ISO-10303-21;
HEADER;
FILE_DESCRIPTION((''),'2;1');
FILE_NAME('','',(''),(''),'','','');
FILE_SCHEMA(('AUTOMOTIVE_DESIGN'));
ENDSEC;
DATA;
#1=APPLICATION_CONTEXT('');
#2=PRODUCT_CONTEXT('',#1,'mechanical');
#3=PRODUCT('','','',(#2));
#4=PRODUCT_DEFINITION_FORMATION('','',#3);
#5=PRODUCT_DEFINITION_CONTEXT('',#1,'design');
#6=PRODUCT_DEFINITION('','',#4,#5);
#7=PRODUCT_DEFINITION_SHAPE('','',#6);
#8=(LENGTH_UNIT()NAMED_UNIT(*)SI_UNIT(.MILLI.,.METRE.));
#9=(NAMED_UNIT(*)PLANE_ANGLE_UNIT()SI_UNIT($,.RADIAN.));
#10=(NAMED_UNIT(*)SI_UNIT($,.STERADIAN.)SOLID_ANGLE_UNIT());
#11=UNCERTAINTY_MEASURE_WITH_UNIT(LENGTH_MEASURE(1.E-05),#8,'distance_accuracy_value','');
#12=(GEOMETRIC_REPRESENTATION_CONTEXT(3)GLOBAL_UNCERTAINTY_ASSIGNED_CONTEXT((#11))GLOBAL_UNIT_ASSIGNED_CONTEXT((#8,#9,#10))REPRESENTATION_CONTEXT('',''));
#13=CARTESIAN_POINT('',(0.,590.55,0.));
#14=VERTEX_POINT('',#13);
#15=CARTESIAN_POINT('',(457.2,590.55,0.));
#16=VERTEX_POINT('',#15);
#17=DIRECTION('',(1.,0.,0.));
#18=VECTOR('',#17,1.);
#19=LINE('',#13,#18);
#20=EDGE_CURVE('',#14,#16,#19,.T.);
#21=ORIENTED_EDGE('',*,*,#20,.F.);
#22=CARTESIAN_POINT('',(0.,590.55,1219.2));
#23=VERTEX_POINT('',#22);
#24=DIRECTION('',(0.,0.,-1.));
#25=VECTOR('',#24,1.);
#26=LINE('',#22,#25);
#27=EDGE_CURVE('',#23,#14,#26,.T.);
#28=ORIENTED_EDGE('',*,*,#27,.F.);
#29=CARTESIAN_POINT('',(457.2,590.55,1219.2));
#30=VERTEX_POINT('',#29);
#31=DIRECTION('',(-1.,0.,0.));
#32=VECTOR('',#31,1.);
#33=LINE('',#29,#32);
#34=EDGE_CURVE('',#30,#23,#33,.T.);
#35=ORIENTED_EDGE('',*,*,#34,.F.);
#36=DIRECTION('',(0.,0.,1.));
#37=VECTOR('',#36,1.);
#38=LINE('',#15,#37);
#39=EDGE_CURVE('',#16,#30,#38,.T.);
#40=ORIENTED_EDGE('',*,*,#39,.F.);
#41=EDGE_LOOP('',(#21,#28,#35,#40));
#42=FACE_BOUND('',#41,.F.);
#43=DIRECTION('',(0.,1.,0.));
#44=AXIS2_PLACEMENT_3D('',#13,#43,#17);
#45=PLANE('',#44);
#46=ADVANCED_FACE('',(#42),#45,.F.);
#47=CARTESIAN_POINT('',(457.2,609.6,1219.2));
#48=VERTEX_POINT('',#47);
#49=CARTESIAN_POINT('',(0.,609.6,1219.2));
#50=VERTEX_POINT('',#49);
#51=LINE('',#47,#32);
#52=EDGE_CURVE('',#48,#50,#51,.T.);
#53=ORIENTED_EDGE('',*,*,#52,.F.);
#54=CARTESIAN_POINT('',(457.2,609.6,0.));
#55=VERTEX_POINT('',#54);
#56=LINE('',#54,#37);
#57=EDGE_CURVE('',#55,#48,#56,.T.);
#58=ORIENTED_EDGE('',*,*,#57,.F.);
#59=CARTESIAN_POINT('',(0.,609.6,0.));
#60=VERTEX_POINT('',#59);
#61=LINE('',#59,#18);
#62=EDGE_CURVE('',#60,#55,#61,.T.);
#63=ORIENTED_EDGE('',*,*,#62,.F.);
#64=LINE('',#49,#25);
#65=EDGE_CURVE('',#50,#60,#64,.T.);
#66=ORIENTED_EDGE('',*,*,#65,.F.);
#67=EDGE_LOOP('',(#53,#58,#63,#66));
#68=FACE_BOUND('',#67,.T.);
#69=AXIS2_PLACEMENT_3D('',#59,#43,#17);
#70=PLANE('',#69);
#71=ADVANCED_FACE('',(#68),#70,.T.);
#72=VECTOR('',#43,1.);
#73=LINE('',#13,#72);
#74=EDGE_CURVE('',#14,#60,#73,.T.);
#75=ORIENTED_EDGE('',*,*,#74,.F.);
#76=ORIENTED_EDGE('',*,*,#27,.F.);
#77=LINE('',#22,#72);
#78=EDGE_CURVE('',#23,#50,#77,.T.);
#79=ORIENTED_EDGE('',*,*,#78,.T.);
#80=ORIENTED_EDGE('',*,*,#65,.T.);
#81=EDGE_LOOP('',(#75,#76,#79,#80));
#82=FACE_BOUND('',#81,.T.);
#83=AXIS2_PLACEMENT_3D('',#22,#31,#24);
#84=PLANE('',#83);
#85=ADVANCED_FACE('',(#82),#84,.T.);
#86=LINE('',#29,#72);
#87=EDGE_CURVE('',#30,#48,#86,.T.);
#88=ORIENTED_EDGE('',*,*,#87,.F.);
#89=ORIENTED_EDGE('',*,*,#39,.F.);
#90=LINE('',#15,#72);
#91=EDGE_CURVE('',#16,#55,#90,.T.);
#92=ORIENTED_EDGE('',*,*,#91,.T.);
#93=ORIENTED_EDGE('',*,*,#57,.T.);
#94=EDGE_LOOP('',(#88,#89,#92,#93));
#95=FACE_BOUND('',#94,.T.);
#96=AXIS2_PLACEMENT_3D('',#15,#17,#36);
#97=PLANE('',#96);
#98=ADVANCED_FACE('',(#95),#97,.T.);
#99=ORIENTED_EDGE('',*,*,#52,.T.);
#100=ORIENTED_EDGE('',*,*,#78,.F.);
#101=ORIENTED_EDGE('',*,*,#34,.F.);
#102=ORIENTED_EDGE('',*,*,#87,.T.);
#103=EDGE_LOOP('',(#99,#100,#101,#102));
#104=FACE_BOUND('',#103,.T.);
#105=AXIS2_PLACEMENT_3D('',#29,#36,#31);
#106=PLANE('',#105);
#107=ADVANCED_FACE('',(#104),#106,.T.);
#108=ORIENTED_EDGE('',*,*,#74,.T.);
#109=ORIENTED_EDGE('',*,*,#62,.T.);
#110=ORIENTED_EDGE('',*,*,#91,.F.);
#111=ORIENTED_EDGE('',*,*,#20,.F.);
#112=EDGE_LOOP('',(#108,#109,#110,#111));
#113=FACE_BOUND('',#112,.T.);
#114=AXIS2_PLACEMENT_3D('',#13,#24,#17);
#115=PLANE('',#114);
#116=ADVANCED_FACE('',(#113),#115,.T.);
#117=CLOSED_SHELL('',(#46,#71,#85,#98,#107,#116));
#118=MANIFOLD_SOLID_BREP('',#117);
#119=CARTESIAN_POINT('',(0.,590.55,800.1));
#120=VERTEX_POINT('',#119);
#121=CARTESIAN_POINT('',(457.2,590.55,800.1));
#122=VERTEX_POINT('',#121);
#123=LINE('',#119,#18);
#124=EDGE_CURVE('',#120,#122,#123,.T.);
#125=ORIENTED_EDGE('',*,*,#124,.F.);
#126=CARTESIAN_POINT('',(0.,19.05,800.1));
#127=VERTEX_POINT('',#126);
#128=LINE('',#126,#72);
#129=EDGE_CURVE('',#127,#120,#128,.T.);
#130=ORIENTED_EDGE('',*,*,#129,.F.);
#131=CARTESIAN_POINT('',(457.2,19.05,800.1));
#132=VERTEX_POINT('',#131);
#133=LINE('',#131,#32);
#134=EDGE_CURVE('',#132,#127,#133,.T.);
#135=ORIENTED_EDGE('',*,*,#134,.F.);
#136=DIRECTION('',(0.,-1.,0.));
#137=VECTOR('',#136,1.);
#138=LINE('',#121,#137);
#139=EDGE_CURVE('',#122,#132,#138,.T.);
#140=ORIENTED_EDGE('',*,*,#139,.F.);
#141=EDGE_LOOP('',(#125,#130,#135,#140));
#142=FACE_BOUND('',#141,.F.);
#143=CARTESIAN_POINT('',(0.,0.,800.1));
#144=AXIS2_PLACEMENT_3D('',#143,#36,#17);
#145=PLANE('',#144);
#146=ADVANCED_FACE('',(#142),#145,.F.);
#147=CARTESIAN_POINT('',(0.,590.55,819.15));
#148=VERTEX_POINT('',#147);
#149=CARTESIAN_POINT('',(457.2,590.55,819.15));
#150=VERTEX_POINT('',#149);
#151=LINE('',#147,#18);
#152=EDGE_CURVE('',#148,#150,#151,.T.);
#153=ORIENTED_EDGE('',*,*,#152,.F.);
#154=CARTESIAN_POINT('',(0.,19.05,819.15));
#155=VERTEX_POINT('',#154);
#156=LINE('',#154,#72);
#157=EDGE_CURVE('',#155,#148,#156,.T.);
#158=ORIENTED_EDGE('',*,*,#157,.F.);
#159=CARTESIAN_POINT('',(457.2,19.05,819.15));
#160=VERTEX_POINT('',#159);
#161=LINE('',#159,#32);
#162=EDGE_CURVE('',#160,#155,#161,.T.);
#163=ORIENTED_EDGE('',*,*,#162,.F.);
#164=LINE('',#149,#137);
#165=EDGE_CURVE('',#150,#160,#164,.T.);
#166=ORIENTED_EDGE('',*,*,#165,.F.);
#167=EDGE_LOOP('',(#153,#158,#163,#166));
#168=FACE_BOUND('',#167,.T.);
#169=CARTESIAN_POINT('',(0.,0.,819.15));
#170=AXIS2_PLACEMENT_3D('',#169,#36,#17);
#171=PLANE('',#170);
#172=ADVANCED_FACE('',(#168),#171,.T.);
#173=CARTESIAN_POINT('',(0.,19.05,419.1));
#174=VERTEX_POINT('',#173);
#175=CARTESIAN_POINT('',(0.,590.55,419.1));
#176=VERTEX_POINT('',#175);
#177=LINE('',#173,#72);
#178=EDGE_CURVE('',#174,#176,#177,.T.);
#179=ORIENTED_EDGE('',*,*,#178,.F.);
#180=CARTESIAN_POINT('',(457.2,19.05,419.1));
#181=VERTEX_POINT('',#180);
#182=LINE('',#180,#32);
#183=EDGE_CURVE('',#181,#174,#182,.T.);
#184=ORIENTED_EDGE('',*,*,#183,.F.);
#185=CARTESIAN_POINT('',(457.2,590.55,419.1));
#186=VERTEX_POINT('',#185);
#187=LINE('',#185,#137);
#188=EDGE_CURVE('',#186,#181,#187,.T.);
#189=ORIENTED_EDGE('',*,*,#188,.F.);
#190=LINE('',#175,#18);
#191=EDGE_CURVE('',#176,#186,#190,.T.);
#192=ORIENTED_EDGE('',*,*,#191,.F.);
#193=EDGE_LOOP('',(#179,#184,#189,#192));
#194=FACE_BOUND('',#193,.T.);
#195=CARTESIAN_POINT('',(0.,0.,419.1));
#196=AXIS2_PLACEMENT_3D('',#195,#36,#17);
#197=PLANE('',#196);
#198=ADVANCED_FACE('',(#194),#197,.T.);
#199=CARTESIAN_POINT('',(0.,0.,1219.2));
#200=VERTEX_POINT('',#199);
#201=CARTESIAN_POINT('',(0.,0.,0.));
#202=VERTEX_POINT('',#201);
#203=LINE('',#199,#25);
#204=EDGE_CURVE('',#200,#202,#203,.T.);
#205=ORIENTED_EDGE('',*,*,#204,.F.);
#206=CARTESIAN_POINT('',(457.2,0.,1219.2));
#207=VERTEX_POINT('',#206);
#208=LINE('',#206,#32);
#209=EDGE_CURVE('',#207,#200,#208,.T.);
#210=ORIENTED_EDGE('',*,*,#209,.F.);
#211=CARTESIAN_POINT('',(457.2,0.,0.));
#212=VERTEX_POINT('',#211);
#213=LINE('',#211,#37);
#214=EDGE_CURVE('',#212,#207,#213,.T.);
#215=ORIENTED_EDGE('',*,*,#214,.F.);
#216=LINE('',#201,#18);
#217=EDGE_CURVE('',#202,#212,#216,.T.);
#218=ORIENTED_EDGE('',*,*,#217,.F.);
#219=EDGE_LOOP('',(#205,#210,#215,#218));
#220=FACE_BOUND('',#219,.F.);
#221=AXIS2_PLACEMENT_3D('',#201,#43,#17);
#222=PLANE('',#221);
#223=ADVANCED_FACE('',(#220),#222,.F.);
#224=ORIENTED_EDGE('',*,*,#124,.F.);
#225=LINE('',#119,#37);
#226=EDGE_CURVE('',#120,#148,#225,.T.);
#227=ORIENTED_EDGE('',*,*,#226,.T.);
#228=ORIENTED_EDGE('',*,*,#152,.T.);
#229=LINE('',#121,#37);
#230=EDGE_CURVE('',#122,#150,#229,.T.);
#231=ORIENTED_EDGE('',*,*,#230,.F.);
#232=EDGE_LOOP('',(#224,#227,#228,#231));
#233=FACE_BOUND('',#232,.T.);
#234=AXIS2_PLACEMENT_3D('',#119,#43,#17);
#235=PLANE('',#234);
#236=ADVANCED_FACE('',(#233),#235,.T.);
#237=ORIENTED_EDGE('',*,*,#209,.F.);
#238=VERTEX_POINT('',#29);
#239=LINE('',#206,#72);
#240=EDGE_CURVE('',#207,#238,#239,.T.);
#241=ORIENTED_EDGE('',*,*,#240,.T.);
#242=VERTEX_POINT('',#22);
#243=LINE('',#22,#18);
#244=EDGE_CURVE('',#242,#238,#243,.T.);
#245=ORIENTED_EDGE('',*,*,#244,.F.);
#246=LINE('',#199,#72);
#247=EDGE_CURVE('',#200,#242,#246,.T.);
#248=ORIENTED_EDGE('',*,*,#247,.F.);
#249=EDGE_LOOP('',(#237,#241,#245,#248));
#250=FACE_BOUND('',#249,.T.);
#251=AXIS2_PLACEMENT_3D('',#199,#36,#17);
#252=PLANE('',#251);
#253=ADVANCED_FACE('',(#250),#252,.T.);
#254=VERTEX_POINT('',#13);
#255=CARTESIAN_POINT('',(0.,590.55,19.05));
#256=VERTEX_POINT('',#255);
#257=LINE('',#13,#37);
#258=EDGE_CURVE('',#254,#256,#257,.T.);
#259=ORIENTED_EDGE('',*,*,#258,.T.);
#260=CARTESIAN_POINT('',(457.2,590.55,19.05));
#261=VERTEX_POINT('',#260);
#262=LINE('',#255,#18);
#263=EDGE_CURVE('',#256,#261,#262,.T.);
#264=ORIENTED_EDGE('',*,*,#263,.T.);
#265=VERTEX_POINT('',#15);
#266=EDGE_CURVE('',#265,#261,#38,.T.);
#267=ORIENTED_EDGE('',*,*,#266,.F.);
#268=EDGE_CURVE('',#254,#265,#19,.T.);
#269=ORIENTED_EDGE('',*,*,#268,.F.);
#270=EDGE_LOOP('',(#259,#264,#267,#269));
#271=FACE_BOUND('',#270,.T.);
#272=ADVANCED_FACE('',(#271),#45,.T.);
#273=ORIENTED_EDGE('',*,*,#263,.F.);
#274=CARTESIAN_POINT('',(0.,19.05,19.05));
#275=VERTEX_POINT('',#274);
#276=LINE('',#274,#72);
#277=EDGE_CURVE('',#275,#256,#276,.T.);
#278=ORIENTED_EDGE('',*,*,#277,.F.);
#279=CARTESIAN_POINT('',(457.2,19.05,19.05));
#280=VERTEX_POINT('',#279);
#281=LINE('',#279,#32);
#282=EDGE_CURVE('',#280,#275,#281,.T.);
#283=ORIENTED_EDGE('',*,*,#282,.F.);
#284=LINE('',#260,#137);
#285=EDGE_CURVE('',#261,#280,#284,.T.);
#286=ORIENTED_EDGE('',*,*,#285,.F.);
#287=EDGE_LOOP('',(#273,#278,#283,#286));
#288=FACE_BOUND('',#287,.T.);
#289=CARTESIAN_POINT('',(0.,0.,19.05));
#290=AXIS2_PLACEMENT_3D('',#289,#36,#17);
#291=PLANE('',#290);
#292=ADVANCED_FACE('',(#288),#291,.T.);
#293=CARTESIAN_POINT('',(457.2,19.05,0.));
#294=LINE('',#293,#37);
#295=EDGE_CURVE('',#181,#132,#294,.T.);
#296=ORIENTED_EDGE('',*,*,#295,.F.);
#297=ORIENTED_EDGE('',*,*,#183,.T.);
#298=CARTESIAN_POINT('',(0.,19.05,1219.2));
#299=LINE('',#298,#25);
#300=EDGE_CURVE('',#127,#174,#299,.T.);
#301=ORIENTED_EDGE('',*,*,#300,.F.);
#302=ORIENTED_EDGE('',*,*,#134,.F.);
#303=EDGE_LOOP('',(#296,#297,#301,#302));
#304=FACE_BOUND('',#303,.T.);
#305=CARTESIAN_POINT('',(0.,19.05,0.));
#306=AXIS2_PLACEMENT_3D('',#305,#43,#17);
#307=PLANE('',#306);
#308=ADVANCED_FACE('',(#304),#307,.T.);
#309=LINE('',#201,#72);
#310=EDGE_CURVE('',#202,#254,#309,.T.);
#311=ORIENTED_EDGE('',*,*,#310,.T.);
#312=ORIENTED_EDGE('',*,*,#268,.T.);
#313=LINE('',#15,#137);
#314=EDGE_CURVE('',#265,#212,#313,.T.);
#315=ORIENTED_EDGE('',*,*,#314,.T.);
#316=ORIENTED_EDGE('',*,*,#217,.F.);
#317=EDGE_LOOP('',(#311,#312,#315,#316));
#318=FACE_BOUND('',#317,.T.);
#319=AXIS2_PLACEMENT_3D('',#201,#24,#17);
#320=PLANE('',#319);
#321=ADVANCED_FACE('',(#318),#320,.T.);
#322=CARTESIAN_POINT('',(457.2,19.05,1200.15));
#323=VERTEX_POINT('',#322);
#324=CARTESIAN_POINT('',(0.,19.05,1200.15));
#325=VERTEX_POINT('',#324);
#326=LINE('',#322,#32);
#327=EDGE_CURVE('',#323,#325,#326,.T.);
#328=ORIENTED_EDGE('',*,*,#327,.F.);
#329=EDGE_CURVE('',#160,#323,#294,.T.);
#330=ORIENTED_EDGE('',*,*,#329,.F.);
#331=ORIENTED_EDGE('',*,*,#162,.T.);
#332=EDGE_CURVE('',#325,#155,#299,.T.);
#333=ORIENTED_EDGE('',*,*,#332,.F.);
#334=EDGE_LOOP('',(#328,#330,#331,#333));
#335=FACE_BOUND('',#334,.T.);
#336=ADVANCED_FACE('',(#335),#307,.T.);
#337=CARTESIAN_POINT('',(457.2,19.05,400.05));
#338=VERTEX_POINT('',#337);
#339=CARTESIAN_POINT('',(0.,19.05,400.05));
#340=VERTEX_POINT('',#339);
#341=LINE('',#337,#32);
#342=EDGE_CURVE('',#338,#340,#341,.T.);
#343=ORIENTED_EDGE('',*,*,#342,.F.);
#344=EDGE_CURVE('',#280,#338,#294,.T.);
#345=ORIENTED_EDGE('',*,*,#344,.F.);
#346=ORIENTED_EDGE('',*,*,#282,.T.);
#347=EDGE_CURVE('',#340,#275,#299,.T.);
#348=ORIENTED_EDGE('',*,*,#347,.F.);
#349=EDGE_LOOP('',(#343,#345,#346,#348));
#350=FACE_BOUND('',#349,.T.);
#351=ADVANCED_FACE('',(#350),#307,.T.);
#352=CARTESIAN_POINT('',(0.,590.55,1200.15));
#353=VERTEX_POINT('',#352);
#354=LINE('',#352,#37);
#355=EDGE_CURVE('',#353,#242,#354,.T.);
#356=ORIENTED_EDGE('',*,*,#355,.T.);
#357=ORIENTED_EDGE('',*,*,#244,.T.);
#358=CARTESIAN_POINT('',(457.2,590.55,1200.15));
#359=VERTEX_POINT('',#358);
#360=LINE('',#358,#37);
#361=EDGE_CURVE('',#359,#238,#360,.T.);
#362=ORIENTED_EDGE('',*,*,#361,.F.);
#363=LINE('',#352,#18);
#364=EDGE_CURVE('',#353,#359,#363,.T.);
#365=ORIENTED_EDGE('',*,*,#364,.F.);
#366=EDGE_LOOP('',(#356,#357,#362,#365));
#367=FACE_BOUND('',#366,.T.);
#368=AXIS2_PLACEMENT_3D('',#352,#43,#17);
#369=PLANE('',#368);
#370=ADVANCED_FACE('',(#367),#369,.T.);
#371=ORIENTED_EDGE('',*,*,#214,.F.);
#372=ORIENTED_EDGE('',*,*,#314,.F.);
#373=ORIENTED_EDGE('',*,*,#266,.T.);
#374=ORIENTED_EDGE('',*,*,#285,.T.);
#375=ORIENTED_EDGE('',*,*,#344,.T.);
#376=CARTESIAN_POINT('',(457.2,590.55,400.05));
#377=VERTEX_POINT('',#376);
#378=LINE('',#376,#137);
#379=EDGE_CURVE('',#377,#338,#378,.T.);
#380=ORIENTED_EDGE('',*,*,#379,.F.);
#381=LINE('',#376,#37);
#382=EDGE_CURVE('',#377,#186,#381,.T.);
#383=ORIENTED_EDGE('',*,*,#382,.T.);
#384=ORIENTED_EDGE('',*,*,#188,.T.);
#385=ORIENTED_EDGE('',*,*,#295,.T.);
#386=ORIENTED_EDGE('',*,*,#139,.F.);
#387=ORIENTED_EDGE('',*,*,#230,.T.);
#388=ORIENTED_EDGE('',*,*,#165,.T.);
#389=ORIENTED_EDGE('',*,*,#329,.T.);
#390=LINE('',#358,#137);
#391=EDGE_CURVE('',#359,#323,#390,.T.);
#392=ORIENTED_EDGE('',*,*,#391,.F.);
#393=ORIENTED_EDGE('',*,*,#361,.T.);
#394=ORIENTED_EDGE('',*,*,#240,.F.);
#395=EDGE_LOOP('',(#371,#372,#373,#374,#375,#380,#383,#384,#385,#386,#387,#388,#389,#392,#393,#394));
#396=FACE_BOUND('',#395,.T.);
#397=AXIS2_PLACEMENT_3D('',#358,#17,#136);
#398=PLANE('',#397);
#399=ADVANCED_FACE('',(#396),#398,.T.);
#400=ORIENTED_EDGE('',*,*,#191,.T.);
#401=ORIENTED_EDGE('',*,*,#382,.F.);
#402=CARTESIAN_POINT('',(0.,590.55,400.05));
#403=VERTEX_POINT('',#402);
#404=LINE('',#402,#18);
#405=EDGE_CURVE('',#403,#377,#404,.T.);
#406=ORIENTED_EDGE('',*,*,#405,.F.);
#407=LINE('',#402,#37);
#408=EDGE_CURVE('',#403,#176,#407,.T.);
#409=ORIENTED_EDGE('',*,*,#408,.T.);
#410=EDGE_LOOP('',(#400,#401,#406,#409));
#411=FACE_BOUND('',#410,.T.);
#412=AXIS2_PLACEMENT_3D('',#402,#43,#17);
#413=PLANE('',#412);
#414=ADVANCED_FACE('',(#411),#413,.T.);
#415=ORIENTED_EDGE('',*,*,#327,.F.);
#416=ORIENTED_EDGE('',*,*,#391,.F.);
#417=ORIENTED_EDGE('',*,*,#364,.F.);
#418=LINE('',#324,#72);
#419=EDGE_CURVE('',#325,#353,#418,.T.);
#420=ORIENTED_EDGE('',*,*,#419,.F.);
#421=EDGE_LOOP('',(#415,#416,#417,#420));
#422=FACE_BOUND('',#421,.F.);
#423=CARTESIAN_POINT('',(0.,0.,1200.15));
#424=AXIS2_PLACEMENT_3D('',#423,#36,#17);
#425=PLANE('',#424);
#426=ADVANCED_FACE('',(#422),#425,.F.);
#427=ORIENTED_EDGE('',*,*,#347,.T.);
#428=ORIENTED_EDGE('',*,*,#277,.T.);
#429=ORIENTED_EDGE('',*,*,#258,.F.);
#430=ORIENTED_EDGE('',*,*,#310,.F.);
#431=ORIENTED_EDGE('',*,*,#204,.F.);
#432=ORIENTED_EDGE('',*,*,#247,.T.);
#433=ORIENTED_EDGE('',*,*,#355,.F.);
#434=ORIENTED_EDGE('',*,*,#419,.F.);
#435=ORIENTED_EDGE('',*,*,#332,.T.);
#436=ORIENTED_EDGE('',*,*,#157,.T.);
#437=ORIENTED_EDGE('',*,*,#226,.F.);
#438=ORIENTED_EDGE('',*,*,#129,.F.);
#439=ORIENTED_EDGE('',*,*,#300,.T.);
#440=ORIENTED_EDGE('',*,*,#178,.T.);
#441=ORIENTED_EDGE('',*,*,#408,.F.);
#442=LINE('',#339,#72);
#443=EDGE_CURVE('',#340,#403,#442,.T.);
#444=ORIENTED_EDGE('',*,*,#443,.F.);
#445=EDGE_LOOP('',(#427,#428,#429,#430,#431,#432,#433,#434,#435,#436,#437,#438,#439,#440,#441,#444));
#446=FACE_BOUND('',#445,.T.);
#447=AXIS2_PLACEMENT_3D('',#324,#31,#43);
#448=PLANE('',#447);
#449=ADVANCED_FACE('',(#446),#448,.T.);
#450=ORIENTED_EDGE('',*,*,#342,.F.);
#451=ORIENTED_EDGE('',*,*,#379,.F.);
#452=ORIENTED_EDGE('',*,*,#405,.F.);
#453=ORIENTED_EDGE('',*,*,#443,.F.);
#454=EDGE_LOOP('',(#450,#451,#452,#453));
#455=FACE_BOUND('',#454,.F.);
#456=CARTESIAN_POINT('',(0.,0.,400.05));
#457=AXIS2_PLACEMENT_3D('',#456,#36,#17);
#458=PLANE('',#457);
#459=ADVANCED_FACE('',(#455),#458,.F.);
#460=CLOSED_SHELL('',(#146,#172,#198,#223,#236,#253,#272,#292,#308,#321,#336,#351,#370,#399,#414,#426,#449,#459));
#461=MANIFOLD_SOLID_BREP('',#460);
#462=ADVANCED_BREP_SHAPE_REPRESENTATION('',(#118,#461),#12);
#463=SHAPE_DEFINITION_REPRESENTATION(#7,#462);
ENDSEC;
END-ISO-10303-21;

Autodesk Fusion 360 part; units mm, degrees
sketch "Sketch1" plane through (0, 0, 0) normal (0, 1, 0) x (1, 0, 0)
  line L0 (0, 0) -> (457.2, 0)
  line L1 (457.2, 0) -> (457.2, -1219.2)
  line L2 (457.2, -1219.2) -> (0, -1219.2)
  line L3 (0, -1219.2) -> (0, 0)
  dimension "d4" = 457.2
  dimension "d5" = 1219.2
extrude "Extrude1" add sketch "Sketch1" along normal blind 19.05 makes body 1
pattern_linear "R-Pattern1" count 2 spacing 590.55 along (0, 1, 0) of bodies 1 makes body 2
sketch "Sketch2" plane through (0, 0, 0) normal (0, 0, 1) x (1, 0, 0)
  line L0 (0, 0) -> (457.2, 0)
  line L1 (0, 0) -> (0, 19.05)
  dimension "d12" = 457.2
  dimension "d14" = 19.05
sketch "Sketch3" plane through (0, 0, 0) normal (0, 0, 1) x (1, 0, 0)
sketch "Sketch4" plane through (0, 0, 0) normal (0, 0, 1) x (1, 0, 0)
  line L0 (457.2, 19.05) -> (0, 19.05)
  line L1 (0, 19.05) -> (0, 590.55)
  line L2 (0, 590.55) -> (457.2, 590.55)
  line L3 (457.2, 590.55) -> (457.2, 19.05)
extrude "Extrude2" add sketch "Sketch4" along normal blind 19.05 bodies 1
pattern_linear "R-Pattern2" count 4 spacing 400.05 along (0, 0, 1) of "Extrude2"
equation "shelfHeight = 48 in"
equation "ShelfDepths = 18 in"
equation "ShelfThickness = ( 3 / 4 ) * 1 in"
equation "d4 = ShelfDepths"
equation "d5 = shelfHeight"
equation "d6 = ShelfThickness"
equation "d10 = ShelfWidths - ShelfThickness"
equation "d12 = ShelfDepths"
equation "d14 = ShelfThickness"
equation "ShelfWidths = 24 in"
equation "d17 = ShelfThickness"
equation "d21 = -shelfHeight + ShelfThickness"
